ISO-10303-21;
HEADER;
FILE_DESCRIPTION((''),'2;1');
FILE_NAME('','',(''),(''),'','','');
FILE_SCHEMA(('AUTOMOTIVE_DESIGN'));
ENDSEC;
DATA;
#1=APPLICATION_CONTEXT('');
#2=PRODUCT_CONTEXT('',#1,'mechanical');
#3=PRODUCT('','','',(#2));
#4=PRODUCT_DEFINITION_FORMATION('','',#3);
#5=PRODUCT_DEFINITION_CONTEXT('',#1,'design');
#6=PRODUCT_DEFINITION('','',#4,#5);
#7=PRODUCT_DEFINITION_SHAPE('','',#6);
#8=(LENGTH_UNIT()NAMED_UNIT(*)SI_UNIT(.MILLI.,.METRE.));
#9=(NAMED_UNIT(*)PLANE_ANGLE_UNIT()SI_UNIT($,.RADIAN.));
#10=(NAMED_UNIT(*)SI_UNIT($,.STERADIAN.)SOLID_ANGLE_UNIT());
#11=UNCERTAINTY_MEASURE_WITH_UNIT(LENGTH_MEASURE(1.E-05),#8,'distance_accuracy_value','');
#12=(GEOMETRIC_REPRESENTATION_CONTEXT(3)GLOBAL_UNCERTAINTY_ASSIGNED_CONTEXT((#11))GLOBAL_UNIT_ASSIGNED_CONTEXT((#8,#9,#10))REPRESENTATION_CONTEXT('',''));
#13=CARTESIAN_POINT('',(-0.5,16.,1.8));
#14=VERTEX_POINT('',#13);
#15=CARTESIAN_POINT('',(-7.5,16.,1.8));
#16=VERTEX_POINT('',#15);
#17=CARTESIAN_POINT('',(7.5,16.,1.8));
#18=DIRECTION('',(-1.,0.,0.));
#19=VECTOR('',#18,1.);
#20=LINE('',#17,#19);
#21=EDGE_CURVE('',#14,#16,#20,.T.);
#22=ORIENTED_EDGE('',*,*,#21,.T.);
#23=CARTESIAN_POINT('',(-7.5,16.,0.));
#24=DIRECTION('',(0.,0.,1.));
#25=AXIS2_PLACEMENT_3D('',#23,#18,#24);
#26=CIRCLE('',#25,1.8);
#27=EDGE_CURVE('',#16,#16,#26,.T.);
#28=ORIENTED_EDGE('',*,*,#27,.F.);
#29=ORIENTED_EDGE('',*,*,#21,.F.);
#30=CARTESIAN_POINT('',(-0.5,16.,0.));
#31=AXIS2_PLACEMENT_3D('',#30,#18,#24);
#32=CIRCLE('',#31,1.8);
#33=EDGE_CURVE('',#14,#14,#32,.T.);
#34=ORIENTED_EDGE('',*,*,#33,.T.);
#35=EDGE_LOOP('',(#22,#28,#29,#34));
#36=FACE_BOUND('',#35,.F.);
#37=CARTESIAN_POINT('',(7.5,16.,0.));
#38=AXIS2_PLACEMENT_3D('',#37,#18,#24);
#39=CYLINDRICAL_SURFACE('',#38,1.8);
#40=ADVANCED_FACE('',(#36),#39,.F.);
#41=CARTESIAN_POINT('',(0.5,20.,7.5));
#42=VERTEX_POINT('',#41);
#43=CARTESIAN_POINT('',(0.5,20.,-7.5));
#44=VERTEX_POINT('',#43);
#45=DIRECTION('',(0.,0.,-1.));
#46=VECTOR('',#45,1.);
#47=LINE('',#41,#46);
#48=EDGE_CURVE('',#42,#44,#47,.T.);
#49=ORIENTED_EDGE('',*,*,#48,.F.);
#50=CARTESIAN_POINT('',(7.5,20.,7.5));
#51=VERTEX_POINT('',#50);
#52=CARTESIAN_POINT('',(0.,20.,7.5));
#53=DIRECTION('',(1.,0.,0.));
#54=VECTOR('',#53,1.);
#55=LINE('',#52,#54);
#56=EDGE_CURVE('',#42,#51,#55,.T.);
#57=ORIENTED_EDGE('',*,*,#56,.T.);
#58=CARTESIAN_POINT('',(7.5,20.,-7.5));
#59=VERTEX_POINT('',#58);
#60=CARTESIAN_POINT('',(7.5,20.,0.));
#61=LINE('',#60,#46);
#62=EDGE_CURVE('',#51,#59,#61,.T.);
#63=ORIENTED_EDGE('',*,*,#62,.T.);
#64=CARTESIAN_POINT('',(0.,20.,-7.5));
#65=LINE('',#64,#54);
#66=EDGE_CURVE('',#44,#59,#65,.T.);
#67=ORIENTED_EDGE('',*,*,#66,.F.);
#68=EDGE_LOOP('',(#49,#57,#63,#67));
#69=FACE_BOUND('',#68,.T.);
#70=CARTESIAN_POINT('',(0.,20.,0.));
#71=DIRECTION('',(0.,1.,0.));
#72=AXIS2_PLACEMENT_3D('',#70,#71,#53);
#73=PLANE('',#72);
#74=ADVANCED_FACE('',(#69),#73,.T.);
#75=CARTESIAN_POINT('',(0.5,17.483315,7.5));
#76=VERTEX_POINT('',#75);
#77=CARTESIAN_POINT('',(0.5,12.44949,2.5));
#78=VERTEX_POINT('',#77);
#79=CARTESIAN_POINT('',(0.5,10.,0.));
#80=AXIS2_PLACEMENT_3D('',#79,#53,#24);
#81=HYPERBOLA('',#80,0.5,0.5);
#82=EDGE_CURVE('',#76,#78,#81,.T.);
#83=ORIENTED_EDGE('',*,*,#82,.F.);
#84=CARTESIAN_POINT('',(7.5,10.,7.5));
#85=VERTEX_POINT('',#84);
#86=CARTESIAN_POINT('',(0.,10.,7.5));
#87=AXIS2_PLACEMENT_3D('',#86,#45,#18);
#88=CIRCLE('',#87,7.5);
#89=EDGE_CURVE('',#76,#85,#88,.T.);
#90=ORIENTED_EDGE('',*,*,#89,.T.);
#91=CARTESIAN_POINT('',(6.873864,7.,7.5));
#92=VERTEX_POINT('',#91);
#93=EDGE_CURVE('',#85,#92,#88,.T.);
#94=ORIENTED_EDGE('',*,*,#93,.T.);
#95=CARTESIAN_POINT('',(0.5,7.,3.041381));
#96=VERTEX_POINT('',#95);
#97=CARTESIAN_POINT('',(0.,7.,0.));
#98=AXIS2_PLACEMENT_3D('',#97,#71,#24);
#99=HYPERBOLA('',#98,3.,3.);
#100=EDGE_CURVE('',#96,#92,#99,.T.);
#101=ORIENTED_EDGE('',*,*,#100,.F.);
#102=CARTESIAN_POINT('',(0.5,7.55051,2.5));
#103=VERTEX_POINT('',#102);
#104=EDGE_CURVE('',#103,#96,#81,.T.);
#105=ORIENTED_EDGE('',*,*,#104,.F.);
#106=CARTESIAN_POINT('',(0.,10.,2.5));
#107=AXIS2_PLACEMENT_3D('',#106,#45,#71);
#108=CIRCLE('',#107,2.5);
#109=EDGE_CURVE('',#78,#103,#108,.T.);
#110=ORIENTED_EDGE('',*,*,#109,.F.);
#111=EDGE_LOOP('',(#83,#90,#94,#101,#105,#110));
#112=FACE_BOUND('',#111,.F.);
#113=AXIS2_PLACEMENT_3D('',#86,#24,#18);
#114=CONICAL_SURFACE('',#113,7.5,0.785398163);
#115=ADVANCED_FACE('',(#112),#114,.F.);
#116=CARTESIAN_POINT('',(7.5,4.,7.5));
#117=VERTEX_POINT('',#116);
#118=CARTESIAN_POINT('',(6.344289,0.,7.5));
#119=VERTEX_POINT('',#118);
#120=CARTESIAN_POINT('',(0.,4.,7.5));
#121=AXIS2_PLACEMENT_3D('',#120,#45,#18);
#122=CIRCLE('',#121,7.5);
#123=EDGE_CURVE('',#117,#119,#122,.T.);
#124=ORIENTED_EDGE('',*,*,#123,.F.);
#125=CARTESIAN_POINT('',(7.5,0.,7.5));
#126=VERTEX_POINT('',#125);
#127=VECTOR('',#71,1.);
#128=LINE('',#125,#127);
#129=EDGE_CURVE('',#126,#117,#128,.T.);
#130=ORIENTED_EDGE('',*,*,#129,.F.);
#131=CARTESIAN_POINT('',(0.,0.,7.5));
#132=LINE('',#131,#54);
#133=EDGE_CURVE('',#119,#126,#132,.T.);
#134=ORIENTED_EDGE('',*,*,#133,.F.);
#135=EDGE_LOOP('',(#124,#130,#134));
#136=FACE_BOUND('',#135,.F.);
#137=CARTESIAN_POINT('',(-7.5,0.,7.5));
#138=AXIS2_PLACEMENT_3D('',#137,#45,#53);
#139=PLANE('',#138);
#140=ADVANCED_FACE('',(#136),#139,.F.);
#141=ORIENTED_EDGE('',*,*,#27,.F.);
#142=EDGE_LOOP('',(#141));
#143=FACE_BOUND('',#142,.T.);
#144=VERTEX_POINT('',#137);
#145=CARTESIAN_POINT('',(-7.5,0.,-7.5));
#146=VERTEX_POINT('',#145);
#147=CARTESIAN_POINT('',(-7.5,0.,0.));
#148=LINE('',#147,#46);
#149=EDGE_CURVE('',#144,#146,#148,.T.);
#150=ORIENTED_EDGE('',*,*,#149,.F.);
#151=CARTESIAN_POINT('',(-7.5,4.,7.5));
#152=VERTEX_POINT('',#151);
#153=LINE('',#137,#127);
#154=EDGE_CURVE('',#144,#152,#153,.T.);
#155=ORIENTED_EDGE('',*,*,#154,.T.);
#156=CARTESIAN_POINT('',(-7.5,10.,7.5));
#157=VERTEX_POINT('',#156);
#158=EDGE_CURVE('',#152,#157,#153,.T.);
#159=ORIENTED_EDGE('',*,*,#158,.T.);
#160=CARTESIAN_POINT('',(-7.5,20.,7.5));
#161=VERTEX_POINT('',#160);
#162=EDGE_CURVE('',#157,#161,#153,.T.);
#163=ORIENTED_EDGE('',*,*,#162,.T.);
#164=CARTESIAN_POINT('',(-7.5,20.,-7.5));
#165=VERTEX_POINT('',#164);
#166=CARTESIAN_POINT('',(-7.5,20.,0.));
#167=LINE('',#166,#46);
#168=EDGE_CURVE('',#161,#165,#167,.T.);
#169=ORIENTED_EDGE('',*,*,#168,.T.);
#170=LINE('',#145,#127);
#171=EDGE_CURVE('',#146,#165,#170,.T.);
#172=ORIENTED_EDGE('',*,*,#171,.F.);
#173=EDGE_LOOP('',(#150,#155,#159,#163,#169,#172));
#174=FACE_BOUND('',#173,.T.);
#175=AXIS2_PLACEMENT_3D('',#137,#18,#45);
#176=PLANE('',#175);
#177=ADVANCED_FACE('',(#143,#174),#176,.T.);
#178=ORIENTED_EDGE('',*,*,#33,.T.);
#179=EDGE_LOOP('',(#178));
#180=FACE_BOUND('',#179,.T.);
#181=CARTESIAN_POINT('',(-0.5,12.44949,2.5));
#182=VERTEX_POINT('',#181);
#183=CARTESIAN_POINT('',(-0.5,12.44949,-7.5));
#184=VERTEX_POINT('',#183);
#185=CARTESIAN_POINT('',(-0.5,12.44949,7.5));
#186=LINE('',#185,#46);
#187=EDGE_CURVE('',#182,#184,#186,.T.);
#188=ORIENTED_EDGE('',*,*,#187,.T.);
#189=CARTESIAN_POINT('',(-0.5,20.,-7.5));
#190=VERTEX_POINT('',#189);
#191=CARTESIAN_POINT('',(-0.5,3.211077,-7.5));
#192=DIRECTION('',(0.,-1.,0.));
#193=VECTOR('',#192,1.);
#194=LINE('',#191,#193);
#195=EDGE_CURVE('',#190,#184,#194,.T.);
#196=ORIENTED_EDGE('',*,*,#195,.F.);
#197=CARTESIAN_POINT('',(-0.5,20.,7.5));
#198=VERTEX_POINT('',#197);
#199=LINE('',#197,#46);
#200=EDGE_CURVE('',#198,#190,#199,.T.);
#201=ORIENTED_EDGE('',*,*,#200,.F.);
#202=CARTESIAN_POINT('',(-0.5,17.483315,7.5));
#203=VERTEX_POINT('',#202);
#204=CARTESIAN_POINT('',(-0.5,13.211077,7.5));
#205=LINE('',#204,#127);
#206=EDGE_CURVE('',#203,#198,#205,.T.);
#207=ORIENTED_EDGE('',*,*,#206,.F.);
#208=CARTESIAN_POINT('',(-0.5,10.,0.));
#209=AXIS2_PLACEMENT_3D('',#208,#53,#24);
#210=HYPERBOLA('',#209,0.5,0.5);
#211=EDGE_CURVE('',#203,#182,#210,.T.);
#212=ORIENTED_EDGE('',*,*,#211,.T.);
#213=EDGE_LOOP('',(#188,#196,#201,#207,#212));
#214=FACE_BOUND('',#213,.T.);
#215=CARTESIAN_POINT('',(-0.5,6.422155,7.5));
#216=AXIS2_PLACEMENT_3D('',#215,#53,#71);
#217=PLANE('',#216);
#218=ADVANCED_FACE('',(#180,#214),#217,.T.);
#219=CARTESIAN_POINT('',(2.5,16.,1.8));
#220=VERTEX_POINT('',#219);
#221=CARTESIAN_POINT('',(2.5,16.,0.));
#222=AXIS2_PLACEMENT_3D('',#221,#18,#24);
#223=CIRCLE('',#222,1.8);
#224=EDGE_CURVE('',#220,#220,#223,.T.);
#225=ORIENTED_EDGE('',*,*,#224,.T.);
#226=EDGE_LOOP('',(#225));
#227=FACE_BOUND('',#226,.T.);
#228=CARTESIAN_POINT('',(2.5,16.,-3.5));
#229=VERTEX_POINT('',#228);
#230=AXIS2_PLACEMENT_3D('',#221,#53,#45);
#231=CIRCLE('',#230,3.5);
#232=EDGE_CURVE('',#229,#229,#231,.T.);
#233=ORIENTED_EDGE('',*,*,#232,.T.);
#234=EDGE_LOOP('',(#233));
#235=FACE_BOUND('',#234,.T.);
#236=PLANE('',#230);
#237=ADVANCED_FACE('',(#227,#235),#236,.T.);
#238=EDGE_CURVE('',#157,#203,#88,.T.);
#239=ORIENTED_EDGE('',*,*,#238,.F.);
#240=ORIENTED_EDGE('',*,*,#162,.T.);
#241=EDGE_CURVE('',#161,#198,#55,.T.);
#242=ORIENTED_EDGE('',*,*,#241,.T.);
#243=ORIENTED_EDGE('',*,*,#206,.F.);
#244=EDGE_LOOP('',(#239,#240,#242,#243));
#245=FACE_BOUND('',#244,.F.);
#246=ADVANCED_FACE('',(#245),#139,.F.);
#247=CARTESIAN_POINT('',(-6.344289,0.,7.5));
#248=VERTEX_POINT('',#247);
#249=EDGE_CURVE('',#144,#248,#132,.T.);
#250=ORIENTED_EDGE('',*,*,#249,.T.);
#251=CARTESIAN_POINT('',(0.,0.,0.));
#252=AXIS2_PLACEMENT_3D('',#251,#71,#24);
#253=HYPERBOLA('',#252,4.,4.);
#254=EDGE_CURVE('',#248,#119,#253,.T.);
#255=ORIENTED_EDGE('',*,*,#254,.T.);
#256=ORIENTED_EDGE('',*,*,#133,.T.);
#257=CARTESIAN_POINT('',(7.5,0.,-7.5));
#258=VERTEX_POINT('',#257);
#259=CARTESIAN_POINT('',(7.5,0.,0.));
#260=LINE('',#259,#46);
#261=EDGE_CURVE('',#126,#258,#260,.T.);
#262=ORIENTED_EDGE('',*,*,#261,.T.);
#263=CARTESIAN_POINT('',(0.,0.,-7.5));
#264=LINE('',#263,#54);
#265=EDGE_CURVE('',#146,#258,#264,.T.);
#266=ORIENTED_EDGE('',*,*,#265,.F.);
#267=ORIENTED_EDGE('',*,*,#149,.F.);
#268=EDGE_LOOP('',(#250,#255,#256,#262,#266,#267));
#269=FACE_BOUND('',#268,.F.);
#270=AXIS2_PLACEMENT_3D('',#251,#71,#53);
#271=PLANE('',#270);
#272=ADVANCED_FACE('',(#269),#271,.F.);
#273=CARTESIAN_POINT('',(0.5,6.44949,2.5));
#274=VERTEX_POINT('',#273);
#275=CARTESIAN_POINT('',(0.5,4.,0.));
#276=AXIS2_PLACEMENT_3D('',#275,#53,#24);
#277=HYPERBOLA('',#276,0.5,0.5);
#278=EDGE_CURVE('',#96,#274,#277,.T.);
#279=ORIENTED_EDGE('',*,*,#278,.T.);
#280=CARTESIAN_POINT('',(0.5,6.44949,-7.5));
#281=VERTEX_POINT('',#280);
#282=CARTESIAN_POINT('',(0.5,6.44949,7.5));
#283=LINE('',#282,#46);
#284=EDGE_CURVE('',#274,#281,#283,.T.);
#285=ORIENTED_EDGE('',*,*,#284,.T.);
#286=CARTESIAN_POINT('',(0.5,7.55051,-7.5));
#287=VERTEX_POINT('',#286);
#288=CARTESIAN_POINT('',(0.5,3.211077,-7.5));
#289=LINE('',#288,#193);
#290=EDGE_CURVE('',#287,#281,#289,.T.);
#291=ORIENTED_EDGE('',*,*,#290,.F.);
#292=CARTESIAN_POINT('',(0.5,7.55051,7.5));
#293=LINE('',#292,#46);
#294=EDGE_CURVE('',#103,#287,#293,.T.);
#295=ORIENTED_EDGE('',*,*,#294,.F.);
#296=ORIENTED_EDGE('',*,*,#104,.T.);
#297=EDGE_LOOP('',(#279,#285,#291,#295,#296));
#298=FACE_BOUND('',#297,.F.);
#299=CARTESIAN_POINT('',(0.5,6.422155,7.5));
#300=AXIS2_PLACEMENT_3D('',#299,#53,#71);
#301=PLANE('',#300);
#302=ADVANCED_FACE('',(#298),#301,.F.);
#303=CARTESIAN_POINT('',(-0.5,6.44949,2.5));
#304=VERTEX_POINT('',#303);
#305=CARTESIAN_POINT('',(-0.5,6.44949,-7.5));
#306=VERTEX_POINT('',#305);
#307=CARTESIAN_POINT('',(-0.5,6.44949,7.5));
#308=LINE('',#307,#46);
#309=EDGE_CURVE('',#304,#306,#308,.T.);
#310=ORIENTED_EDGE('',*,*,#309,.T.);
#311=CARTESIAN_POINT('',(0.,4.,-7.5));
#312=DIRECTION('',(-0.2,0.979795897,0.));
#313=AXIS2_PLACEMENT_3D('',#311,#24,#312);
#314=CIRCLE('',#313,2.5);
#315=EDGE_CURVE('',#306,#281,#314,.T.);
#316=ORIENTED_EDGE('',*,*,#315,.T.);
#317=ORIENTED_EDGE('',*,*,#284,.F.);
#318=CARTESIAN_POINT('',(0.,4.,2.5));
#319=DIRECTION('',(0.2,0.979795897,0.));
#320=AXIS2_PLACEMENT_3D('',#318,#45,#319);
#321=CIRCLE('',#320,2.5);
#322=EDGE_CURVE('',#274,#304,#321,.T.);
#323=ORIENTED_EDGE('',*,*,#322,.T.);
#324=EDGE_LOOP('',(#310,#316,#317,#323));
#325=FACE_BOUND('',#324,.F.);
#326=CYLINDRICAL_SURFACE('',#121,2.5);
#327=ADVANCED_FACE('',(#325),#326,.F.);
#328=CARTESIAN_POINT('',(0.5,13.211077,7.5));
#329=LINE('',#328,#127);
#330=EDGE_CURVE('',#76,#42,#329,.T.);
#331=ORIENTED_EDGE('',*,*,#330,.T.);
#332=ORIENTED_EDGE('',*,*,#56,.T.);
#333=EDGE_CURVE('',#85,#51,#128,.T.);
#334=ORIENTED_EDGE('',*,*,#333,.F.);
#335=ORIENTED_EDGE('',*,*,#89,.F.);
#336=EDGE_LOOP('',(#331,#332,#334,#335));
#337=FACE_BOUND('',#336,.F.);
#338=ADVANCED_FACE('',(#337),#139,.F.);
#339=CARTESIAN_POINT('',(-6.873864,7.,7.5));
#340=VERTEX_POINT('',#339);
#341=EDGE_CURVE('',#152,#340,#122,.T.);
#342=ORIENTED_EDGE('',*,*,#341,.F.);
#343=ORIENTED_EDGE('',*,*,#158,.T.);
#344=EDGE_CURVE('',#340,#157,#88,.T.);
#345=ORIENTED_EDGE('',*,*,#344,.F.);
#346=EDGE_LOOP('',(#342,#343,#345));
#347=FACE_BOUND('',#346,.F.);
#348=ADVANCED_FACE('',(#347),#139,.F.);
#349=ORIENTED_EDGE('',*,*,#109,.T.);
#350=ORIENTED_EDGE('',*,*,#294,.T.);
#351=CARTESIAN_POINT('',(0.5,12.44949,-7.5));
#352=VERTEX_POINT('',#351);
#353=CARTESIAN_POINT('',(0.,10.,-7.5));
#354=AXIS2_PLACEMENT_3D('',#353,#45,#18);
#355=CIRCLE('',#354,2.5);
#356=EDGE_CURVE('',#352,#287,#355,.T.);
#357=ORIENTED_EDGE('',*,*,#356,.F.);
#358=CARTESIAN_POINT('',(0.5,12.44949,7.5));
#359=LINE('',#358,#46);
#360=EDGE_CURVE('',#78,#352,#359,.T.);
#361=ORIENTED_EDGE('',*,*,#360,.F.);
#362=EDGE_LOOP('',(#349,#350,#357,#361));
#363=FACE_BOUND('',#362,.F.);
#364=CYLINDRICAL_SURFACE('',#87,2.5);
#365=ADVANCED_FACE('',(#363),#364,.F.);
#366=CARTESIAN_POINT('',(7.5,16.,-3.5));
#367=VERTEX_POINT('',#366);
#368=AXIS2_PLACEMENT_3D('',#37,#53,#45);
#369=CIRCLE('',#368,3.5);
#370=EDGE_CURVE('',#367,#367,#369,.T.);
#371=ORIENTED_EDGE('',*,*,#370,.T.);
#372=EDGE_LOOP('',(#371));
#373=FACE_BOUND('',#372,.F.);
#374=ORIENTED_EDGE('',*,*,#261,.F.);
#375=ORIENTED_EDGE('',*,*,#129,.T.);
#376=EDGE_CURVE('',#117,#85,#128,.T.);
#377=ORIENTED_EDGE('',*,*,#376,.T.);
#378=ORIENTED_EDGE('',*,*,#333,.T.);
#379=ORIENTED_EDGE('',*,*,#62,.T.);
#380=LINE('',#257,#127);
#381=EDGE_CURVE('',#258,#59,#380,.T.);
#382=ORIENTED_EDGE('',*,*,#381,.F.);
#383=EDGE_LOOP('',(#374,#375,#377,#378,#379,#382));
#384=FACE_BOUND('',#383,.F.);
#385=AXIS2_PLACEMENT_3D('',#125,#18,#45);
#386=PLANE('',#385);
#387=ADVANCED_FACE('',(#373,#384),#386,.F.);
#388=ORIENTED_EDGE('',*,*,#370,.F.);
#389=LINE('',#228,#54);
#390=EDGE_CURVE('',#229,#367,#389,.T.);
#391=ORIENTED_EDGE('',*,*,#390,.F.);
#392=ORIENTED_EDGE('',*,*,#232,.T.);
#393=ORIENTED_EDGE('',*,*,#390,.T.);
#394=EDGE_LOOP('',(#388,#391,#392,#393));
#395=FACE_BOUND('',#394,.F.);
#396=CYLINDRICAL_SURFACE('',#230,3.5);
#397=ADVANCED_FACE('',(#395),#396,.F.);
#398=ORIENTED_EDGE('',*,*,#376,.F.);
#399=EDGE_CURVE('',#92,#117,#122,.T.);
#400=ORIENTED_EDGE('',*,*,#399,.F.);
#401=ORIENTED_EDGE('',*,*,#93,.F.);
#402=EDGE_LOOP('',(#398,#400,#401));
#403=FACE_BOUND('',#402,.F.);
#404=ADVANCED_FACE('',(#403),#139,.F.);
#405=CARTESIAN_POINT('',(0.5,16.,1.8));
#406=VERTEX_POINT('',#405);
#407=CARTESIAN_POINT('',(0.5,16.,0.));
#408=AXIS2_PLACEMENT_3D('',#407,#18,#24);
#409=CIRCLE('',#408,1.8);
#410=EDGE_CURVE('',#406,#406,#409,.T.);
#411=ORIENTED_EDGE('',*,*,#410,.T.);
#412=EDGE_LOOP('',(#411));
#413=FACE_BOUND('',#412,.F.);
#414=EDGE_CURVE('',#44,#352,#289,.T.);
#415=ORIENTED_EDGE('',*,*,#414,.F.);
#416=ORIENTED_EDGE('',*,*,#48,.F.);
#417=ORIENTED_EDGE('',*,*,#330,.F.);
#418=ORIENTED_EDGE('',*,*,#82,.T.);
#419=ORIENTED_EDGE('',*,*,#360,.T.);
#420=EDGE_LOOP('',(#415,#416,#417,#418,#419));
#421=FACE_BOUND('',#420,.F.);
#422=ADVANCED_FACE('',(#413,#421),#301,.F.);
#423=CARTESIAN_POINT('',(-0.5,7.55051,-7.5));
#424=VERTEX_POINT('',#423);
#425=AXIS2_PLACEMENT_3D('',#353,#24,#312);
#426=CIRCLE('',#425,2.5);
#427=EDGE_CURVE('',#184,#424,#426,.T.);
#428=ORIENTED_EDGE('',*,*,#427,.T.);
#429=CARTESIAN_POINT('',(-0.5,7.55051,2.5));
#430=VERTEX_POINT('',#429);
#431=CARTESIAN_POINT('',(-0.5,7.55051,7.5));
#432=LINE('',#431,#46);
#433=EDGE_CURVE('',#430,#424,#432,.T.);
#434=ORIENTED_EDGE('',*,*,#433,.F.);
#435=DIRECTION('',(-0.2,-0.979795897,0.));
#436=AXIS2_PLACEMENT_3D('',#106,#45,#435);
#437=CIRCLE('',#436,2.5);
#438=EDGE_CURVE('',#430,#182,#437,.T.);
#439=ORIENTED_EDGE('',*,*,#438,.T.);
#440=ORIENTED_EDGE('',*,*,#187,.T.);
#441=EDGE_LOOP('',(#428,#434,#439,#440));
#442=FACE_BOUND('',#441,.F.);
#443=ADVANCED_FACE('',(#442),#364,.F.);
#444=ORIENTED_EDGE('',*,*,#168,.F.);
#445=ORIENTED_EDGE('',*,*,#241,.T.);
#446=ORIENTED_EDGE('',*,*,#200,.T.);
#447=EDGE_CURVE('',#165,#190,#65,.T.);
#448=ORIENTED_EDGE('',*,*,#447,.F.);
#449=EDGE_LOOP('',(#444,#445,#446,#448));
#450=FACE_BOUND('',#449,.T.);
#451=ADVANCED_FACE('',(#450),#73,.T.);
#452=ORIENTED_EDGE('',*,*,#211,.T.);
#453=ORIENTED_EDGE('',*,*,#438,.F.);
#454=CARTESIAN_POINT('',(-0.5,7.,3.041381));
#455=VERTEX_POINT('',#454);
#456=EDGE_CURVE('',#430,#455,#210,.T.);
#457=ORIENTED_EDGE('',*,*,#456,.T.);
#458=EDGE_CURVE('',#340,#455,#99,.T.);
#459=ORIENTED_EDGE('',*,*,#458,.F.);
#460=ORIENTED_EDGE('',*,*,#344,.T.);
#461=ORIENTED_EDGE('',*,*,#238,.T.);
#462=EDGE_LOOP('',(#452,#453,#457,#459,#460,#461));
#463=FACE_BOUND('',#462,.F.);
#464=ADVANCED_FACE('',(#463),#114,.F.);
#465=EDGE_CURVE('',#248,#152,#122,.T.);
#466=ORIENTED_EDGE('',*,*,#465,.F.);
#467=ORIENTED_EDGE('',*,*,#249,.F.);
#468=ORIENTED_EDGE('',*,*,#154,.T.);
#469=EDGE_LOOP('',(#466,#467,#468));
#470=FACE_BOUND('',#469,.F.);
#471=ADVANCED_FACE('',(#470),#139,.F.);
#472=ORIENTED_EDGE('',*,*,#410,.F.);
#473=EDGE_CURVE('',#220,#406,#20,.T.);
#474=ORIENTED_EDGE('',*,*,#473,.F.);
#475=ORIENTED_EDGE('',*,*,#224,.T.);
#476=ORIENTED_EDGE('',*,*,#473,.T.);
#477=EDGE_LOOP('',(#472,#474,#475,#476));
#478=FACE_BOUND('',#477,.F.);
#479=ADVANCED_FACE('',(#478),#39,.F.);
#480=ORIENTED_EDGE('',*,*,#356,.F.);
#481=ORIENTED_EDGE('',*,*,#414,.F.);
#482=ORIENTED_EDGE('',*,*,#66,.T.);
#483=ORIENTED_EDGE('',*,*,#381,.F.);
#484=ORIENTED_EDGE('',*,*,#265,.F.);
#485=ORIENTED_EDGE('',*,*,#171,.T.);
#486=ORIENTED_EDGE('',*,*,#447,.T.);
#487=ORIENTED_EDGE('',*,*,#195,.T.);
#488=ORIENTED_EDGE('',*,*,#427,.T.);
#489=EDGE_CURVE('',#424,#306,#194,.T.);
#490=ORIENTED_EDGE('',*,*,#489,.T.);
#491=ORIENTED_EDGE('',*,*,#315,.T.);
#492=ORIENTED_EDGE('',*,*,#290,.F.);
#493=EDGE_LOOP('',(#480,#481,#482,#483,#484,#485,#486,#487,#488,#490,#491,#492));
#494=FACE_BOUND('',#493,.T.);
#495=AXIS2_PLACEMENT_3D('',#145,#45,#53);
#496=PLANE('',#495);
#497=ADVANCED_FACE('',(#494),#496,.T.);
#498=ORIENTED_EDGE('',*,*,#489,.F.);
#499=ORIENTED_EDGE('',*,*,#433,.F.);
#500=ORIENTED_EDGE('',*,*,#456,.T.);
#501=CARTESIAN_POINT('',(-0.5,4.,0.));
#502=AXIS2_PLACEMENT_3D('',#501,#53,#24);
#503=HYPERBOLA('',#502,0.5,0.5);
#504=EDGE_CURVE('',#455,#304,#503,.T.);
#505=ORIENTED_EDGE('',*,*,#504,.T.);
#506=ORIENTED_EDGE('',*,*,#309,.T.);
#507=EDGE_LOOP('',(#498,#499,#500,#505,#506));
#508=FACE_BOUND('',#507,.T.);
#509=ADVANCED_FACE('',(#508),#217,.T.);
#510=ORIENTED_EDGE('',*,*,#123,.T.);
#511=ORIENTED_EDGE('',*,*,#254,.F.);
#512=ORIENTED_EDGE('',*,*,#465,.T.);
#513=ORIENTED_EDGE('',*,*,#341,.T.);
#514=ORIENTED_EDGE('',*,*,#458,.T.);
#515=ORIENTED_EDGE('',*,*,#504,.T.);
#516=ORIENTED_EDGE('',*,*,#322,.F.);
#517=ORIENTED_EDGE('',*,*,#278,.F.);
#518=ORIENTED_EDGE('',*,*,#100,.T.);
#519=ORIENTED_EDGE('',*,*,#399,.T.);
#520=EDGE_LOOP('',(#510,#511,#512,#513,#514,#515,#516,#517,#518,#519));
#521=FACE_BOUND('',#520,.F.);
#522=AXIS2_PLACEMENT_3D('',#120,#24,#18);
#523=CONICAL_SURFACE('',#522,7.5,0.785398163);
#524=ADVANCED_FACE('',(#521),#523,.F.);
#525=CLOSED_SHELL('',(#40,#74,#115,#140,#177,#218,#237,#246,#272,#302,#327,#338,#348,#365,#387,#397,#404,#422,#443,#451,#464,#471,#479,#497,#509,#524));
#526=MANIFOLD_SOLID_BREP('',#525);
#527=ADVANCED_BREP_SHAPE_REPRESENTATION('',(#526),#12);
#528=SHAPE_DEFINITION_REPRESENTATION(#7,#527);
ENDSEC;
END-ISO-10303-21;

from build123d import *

# Parameters (mm, degrees)
SZKIC1_W                                             = 15
SZKIC1_H                                             = 15
DODANIE_WYCI_GNI_CIE1_DEPTH                          = 20
POG_BIENIE_WALCOWE_POD_M3_WKR_T_DO_CZ_CI_D           = 3.6
POG_BIENIE_WALCOWE_POD_M3_WKR_T_DO_CZ_CI_CBORE_D     = 7
POG_BIENIE_WALCOWE_POD_M3_WKR_T_DO_CZ_CI_CBORE_DEPTH = 5
POG_BIENIE_STO_KOWE_POD_M5_WKR_T_DO_CZ_C_D           = 5
POG_BIENIE_STO_KOWE_POD_M5_WKR_T_DO_CZ_C_CSINK_D     = 15
POG_BIENIE_STO_KOWE_POD_M5_WKR_T_DO_CZ_C_CSINK_ANGLE = 90
SZKIC3_W                                             = 1
SZKIC3_H                                             = 13.577845222
WYTNIJ_WYCI_GNI_CIE1_DEPTH                           = 16


with BuildPart() as part:
    # Szkic1 → Dodanie-wyci_gni_cie1 (new body)
    with BuildSketch(Plane(origin=(0, 0, 0), x_dir=(1, 0, 0), z_dir=(0, 1, 0))):
        Rectangle(SZKIC1_W, SZKIC1_H)
    extrude(amount=DODANIE_WYCI_GNI_CIE1_DEPTH)

    # Pog_bienie walcowe pod M3 wkr_t do cz_ci (through all)
    with Locations(Plane(origin=(7.5, 0, 0), x_dir=(0, 0, -1), z_dir=(1, 0, 0))):
        with Locations((0, 16)):
            CounterBoreHole(POG_BIENIE_WALCOWE_POD_M3_WKR_T_DO_CZ_CI_D / 2, POG_BIENIE_WALCOWE_POD_M3_WKR_T_DO_CZ_CI_CBORE_D / 2, POG_BIENIE_WALCOWE_POD_M3_WKR_T_DO_CZ_CI_CBORE_DEPTH)

    # Pog_bienie sto_kowe pod M5 wkr_t do cz_c (through all)
    with Locations(Plane.XY.offset(7.5)):
        with Locations((0, 10), (0, 4)):
            CounterSinkHole(POG_BIENIE_STO_KOWE_POD_M5_WKR_T_DO_CZ_C_D / 2, POG_BIENIE_STO_KOWE_POD_M5_WKR_T_DO_CZ_C_CSINK_D / 2, counter_sink_angle=POG_BIENIE_STO_KOWE_POD_M5_WKR_T_DO_CZ_C_CSINK_ANGLE)

    # Szkic3 → Wytnij-wyci_gni_cie1 (cut, through all)
    with BuildSketch(Plane.XY.offset(7.5)):
        with Locations((0, 13.211077389)):
            Rectangle(SZKIC3_W, SZKIC3_H)
    extrude(amount=-WYTNIJ_WYCI_GNI_CIE1_DEPTH, mode=Mode.SUBTRACT)


solid = part.part
